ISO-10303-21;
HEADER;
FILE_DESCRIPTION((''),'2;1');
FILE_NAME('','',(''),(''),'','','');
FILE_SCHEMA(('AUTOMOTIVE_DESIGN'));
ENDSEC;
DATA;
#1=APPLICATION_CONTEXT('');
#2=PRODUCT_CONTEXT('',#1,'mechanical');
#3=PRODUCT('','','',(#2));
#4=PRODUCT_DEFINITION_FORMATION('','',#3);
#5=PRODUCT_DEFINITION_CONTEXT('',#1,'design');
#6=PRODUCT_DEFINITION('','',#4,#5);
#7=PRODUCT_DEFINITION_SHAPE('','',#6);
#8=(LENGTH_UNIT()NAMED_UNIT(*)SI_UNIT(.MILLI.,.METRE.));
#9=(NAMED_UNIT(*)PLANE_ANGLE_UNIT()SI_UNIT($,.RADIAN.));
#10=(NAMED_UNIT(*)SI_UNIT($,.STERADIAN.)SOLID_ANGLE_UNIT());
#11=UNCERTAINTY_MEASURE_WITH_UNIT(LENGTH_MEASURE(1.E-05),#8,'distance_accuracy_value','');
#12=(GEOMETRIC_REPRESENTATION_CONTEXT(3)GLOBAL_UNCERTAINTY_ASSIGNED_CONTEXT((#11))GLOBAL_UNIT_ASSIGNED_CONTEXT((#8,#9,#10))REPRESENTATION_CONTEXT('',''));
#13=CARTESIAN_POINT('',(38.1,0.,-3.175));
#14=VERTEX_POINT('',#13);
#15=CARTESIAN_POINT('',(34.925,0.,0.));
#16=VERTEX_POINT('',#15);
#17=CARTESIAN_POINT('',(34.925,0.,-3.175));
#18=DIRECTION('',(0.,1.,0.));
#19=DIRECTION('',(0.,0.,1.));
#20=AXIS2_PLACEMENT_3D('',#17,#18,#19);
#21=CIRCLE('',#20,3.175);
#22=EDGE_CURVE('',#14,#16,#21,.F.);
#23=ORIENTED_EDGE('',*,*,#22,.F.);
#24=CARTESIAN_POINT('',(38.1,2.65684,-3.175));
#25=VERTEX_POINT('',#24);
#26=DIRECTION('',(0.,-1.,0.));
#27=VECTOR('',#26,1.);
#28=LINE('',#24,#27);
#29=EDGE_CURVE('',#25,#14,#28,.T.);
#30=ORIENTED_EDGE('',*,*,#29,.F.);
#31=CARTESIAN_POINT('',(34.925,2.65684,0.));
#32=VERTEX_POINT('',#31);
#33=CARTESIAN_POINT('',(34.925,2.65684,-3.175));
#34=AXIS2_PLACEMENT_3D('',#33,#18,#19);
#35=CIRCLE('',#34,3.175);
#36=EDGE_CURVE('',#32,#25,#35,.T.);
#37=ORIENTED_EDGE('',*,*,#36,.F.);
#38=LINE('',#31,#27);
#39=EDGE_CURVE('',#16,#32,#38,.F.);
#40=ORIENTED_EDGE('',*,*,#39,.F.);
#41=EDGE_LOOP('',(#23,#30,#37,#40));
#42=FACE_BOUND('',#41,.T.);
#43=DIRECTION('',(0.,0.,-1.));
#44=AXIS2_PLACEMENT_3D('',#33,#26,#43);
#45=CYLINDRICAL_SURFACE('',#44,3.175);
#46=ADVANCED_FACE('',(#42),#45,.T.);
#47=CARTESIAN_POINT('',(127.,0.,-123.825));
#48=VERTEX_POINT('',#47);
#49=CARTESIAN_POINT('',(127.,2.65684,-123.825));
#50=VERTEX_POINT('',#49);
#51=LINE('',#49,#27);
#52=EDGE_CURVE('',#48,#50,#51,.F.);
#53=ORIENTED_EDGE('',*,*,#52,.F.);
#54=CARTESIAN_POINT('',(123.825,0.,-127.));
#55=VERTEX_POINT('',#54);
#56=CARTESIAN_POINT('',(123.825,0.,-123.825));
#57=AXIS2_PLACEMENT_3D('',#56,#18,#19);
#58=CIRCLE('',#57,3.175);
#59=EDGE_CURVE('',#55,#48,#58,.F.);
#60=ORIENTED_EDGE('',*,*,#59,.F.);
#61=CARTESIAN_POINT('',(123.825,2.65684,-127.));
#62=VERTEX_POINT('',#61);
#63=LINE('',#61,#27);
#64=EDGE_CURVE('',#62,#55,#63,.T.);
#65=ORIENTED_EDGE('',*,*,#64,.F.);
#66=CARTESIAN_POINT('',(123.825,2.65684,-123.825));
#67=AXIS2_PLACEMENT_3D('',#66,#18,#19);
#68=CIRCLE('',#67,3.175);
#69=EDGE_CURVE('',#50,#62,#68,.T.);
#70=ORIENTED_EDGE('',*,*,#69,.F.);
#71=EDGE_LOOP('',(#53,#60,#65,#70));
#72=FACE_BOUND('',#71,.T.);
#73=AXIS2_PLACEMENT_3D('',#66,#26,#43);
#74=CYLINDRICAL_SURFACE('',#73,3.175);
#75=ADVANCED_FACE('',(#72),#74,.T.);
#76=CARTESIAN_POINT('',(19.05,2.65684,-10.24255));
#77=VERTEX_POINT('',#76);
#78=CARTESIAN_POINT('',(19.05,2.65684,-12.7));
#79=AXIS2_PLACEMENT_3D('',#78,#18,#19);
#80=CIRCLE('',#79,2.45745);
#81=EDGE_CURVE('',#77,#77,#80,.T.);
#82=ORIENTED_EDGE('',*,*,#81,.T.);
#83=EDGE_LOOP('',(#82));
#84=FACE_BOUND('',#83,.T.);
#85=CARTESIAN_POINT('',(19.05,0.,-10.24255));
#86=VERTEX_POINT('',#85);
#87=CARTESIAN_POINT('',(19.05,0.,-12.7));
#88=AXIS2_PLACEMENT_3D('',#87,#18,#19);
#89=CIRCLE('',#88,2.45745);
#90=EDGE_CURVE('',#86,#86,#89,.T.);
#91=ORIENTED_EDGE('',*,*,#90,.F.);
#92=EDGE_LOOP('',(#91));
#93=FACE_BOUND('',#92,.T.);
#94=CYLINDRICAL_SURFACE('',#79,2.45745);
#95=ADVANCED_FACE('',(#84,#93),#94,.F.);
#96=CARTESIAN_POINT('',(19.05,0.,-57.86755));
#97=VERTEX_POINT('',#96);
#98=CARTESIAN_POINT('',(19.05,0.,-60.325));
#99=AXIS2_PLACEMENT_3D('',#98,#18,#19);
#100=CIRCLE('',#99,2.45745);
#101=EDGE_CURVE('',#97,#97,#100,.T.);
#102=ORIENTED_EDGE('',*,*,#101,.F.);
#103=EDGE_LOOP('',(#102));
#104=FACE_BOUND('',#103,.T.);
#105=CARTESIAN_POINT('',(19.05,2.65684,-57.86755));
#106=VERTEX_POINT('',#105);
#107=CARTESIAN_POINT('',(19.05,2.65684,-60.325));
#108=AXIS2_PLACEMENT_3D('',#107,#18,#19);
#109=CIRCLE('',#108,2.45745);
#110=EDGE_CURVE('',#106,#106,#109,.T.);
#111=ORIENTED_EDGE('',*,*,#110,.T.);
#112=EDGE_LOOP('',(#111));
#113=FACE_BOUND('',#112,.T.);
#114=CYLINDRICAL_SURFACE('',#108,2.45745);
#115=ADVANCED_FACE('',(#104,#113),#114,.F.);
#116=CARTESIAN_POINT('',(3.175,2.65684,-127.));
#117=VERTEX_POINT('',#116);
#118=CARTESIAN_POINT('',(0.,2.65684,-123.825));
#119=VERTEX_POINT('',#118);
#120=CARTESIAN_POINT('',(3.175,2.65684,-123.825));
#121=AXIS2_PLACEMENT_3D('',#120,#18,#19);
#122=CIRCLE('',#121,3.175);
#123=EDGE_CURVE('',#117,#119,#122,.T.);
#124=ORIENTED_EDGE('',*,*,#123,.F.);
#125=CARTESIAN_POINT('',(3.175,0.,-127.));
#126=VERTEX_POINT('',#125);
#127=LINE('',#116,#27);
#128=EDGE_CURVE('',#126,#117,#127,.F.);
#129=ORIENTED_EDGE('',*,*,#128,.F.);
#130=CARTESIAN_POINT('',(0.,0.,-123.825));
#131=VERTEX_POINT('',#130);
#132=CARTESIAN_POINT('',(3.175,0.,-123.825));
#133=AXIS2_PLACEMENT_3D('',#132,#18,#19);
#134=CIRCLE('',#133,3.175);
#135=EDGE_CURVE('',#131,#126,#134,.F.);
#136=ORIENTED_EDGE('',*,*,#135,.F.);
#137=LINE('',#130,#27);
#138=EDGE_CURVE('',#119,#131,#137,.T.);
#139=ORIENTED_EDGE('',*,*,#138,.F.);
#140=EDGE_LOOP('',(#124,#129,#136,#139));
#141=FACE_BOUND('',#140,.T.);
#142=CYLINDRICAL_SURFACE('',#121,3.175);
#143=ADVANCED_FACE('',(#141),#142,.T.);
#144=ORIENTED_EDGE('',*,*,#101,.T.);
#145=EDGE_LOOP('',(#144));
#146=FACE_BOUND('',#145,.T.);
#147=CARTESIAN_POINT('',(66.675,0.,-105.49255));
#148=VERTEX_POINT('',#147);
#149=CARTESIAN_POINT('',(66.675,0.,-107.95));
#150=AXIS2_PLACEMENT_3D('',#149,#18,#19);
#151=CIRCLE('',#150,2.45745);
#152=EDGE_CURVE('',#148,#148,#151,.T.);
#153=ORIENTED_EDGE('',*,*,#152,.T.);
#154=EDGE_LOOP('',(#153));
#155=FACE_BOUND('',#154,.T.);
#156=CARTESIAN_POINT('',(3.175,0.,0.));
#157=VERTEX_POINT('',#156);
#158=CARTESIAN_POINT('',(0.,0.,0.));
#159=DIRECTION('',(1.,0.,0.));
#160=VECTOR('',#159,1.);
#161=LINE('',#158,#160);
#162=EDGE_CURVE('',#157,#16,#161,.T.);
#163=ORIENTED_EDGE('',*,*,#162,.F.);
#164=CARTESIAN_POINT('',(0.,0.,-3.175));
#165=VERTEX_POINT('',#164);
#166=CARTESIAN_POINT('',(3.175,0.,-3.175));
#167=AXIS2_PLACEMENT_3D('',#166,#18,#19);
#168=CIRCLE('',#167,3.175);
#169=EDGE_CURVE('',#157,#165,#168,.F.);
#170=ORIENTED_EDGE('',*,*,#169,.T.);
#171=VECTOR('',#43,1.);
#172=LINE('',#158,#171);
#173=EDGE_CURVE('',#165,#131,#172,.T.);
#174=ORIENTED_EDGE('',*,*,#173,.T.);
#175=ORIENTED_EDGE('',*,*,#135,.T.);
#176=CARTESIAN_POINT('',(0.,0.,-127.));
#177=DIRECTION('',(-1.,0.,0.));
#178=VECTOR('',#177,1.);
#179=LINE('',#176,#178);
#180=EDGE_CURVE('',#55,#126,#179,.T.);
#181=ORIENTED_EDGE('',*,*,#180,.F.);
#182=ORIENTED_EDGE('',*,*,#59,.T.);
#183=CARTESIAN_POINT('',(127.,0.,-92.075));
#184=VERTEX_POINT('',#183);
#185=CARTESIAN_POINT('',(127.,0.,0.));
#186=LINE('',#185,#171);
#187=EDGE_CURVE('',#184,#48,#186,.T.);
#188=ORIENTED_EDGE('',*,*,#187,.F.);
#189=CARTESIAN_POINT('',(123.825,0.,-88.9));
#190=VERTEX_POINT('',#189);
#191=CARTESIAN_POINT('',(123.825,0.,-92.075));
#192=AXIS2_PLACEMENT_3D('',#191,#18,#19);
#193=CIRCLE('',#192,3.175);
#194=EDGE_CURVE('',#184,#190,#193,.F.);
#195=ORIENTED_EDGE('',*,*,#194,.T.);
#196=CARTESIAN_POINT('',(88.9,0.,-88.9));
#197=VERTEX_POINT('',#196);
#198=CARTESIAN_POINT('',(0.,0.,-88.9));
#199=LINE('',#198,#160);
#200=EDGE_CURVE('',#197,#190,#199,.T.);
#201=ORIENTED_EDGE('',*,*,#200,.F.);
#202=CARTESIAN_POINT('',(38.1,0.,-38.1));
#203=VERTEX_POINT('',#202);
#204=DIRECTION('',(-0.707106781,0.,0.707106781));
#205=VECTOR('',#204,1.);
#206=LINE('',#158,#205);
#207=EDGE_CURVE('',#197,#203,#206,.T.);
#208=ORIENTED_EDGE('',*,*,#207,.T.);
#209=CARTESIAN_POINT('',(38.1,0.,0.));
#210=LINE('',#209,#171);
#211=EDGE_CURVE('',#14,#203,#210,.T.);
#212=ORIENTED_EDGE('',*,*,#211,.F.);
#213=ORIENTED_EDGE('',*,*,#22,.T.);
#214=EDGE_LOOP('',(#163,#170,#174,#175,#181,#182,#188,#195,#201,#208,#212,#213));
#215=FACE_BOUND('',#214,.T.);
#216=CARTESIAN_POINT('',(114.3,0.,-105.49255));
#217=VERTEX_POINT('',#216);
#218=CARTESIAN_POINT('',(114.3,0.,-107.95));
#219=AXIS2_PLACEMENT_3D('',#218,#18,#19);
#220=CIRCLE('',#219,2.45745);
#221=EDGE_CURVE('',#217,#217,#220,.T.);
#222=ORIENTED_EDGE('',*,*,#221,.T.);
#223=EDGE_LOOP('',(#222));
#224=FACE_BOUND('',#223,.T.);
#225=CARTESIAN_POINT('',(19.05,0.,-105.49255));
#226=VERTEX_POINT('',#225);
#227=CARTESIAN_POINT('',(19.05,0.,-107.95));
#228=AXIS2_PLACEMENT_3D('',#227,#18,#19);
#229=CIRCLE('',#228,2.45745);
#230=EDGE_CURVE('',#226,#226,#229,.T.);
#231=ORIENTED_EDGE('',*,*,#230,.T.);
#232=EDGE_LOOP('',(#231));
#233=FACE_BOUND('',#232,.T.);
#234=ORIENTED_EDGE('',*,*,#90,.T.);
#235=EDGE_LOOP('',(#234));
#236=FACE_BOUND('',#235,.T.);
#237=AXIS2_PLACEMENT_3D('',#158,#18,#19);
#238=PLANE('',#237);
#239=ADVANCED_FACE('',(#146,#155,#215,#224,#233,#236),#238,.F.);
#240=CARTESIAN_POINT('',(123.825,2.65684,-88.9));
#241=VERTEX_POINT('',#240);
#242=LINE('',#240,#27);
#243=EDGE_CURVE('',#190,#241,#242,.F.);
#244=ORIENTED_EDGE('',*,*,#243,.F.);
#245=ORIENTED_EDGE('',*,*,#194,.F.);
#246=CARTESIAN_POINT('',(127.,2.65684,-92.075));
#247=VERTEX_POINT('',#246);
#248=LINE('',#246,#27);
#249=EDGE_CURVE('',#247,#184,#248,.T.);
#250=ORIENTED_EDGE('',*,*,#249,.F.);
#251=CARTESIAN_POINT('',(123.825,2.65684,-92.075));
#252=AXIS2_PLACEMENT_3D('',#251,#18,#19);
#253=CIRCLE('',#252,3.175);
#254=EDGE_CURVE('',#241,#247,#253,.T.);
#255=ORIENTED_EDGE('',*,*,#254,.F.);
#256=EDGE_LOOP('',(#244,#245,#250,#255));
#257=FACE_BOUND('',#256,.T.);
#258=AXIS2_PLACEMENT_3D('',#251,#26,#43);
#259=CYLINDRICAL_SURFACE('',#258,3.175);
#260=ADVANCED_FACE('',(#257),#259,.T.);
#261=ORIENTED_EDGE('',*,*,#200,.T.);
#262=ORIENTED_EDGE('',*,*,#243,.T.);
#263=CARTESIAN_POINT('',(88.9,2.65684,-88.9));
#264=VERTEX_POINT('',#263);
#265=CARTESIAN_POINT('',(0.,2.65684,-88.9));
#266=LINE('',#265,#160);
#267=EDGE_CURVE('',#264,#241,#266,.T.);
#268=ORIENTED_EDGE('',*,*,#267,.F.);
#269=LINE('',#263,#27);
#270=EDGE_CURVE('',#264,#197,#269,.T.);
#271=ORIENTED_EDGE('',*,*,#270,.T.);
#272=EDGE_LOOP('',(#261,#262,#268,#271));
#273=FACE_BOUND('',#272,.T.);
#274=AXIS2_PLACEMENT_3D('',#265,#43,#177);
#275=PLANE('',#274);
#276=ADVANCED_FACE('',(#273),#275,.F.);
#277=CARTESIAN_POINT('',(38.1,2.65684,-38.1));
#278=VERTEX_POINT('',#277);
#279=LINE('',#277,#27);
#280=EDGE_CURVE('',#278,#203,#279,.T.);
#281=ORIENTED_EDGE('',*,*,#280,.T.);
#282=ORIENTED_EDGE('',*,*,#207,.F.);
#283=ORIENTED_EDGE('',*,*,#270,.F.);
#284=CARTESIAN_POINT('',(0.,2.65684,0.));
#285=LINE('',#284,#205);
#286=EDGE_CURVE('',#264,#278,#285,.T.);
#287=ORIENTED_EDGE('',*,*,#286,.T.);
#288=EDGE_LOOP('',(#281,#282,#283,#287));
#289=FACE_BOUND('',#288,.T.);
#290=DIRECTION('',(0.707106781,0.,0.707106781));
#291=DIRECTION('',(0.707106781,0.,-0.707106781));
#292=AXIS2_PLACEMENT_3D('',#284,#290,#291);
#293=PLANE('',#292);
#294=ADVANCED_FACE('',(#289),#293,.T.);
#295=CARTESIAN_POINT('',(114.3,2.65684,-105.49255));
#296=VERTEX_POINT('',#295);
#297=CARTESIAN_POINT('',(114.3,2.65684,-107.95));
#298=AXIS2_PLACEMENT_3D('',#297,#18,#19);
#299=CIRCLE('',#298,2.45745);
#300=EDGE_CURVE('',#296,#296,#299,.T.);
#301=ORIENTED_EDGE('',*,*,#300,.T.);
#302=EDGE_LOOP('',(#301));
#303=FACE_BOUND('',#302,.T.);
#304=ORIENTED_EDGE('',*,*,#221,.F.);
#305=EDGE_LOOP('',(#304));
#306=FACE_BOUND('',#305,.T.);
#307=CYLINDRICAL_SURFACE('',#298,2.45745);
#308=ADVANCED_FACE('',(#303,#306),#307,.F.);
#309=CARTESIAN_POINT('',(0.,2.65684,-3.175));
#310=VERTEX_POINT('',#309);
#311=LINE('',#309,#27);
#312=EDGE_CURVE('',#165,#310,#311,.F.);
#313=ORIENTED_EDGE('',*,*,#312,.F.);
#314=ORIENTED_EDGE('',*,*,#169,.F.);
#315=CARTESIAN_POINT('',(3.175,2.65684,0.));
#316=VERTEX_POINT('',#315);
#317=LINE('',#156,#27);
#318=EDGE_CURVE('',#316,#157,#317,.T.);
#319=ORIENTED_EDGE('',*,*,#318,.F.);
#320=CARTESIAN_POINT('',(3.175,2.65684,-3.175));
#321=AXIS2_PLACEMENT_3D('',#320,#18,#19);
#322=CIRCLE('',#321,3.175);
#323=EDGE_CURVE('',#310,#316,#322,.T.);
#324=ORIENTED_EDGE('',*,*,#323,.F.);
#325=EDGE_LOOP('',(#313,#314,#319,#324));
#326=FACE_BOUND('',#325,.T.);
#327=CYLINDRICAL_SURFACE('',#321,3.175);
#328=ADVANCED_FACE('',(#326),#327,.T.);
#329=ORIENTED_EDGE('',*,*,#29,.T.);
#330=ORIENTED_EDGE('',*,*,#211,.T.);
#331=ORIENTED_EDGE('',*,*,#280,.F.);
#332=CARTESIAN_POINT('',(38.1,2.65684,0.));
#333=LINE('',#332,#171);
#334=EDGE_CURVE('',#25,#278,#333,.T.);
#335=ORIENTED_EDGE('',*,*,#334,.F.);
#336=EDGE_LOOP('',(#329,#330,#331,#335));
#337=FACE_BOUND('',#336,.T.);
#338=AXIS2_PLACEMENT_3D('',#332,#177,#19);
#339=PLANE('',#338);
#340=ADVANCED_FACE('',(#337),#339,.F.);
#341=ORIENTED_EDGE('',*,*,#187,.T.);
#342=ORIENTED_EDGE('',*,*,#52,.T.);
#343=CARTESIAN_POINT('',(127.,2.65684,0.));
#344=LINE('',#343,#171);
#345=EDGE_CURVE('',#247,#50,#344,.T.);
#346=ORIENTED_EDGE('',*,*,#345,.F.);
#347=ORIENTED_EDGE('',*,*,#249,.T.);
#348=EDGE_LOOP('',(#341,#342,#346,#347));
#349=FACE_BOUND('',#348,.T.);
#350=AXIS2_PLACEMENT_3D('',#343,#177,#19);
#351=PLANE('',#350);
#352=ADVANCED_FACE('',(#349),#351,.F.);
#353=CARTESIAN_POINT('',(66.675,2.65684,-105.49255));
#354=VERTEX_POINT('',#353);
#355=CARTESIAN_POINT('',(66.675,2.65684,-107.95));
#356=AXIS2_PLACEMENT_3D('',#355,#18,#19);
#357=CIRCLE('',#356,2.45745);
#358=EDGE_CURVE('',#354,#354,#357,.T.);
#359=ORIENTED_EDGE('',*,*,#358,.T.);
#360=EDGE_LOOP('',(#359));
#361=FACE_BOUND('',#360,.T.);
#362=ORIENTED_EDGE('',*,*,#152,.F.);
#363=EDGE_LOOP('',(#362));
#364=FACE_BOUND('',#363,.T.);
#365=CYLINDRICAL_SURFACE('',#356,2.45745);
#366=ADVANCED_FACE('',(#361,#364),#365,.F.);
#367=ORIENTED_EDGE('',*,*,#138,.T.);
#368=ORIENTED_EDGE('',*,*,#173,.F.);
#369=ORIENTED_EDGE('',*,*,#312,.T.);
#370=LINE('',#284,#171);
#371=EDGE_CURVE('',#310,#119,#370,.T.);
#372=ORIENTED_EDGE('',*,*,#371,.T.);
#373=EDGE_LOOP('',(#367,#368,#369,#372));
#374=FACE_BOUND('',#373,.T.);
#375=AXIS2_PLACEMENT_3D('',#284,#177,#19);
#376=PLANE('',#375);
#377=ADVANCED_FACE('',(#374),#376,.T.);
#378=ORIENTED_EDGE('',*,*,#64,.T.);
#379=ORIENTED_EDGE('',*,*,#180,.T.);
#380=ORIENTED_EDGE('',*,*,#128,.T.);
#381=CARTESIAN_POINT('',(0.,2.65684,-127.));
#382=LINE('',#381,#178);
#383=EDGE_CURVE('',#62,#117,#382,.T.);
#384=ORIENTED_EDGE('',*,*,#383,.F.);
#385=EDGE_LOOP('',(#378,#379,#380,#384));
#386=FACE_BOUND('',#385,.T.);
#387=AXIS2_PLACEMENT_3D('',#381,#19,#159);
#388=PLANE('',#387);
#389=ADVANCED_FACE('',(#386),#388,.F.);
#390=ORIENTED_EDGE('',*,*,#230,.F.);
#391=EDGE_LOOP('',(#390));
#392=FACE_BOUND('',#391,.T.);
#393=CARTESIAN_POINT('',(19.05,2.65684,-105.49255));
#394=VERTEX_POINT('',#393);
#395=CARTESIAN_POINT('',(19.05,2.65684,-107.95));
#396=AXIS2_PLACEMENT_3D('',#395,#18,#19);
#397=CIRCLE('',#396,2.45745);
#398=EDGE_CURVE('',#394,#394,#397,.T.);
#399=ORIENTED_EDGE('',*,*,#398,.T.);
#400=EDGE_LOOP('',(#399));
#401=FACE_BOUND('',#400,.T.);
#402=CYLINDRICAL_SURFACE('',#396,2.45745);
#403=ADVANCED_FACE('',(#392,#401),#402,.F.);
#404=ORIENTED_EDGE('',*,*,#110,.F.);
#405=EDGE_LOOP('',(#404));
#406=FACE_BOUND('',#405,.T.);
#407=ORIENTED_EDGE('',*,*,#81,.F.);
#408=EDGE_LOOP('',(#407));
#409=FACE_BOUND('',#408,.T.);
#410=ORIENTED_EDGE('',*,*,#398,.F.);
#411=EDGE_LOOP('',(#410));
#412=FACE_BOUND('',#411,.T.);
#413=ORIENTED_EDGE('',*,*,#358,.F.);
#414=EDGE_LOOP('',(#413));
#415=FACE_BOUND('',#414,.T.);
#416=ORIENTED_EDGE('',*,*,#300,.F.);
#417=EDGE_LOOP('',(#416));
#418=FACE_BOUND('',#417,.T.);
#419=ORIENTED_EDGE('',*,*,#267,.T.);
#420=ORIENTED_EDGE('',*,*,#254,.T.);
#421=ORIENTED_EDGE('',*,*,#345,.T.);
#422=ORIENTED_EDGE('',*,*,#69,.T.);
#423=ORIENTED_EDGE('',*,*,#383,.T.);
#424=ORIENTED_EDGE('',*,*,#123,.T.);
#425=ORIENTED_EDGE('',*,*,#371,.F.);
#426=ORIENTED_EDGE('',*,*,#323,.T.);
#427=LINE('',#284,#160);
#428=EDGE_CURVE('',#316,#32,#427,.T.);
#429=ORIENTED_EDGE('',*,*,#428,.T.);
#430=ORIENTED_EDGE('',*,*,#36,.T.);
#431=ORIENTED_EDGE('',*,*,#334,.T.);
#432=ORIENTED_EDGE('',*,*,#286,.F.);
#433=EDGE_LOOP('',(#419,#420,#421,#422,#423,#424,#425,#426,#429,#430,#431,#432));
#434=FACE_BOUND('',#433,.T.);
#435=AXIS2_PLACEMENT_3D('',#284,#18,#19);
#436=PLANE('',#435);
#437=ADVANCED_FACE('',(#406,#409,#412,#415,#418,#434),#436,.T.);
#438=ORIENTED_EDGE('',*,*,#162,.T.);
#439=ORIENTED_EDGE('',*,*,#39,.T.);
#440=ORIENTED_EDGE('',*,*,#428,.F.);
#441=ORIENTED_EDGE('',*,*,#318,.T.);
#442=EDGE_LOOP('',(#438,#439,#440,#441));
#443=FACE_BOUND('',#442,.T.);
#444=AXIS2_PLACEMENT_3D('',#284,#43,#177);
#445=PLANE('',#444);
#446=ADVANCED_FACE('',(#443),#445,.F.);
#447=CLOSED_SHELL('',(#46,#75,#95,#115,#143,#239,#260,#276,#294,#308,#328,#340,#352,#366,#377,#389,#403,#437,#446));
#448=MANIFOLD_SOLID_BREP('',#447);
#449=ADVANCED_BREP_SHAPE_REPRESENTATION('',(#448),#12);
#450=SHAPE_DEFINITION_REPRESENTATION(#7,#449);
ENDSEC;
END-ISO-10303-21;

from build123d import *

# Parameters (mm, degrees)
BOSS_EXTRUDE1_DEPTH          = 2.65684
F_10_0_1935_DIAMETER_HOLE1_D = 4.9149
FILLET1_R                    = 3.175


with BuildPart() as part:
    # Sketch1 → Boss-Extrude1 (new body)
    with BuildSketch(Plane(origin=(0, 0, 0), x_dir=(1, 0, 0), z_dir=(0, 1, 0))):
        Polygon((127, 88.9), (127, 127), (88.9, 127), (0, 127), (0, 0), (38.1, 0), (38.1, 38.1), (88.9, 88.9), align=None)
    extrude(amount=BOSS_EXTRUDE1_DEPTH)

    # #10 (0.1935) Diameter Hole1 (through all)
    with Locations(Plane(origin=(0, 2.65684, 0), x_dir=(1, 0, 0), z_dir=(0, 1, 0))):
        with Locations((114.3, 107.95), (66.675, 107.95), (19.05, 107.95), (19.05, 60.325), (19.05, 12.7)):
            Hole(F_10_0_1935_DIAMETER_HOLE1_D / 2)

    # Fillet1
    fillet1_edges = [part.edges().sort_by_distance(p)[0] for p in [
        (127, 1.32842, -88.9),
        (38.1, 1.32842, 0),
        (0, 1.32842, 0),
        (0, 1.32842, -127),
        (127, 1.32842, -127),
    ]]
    fillet(fillet1_edges, radius=FILLET1_R)


solid = part.part
